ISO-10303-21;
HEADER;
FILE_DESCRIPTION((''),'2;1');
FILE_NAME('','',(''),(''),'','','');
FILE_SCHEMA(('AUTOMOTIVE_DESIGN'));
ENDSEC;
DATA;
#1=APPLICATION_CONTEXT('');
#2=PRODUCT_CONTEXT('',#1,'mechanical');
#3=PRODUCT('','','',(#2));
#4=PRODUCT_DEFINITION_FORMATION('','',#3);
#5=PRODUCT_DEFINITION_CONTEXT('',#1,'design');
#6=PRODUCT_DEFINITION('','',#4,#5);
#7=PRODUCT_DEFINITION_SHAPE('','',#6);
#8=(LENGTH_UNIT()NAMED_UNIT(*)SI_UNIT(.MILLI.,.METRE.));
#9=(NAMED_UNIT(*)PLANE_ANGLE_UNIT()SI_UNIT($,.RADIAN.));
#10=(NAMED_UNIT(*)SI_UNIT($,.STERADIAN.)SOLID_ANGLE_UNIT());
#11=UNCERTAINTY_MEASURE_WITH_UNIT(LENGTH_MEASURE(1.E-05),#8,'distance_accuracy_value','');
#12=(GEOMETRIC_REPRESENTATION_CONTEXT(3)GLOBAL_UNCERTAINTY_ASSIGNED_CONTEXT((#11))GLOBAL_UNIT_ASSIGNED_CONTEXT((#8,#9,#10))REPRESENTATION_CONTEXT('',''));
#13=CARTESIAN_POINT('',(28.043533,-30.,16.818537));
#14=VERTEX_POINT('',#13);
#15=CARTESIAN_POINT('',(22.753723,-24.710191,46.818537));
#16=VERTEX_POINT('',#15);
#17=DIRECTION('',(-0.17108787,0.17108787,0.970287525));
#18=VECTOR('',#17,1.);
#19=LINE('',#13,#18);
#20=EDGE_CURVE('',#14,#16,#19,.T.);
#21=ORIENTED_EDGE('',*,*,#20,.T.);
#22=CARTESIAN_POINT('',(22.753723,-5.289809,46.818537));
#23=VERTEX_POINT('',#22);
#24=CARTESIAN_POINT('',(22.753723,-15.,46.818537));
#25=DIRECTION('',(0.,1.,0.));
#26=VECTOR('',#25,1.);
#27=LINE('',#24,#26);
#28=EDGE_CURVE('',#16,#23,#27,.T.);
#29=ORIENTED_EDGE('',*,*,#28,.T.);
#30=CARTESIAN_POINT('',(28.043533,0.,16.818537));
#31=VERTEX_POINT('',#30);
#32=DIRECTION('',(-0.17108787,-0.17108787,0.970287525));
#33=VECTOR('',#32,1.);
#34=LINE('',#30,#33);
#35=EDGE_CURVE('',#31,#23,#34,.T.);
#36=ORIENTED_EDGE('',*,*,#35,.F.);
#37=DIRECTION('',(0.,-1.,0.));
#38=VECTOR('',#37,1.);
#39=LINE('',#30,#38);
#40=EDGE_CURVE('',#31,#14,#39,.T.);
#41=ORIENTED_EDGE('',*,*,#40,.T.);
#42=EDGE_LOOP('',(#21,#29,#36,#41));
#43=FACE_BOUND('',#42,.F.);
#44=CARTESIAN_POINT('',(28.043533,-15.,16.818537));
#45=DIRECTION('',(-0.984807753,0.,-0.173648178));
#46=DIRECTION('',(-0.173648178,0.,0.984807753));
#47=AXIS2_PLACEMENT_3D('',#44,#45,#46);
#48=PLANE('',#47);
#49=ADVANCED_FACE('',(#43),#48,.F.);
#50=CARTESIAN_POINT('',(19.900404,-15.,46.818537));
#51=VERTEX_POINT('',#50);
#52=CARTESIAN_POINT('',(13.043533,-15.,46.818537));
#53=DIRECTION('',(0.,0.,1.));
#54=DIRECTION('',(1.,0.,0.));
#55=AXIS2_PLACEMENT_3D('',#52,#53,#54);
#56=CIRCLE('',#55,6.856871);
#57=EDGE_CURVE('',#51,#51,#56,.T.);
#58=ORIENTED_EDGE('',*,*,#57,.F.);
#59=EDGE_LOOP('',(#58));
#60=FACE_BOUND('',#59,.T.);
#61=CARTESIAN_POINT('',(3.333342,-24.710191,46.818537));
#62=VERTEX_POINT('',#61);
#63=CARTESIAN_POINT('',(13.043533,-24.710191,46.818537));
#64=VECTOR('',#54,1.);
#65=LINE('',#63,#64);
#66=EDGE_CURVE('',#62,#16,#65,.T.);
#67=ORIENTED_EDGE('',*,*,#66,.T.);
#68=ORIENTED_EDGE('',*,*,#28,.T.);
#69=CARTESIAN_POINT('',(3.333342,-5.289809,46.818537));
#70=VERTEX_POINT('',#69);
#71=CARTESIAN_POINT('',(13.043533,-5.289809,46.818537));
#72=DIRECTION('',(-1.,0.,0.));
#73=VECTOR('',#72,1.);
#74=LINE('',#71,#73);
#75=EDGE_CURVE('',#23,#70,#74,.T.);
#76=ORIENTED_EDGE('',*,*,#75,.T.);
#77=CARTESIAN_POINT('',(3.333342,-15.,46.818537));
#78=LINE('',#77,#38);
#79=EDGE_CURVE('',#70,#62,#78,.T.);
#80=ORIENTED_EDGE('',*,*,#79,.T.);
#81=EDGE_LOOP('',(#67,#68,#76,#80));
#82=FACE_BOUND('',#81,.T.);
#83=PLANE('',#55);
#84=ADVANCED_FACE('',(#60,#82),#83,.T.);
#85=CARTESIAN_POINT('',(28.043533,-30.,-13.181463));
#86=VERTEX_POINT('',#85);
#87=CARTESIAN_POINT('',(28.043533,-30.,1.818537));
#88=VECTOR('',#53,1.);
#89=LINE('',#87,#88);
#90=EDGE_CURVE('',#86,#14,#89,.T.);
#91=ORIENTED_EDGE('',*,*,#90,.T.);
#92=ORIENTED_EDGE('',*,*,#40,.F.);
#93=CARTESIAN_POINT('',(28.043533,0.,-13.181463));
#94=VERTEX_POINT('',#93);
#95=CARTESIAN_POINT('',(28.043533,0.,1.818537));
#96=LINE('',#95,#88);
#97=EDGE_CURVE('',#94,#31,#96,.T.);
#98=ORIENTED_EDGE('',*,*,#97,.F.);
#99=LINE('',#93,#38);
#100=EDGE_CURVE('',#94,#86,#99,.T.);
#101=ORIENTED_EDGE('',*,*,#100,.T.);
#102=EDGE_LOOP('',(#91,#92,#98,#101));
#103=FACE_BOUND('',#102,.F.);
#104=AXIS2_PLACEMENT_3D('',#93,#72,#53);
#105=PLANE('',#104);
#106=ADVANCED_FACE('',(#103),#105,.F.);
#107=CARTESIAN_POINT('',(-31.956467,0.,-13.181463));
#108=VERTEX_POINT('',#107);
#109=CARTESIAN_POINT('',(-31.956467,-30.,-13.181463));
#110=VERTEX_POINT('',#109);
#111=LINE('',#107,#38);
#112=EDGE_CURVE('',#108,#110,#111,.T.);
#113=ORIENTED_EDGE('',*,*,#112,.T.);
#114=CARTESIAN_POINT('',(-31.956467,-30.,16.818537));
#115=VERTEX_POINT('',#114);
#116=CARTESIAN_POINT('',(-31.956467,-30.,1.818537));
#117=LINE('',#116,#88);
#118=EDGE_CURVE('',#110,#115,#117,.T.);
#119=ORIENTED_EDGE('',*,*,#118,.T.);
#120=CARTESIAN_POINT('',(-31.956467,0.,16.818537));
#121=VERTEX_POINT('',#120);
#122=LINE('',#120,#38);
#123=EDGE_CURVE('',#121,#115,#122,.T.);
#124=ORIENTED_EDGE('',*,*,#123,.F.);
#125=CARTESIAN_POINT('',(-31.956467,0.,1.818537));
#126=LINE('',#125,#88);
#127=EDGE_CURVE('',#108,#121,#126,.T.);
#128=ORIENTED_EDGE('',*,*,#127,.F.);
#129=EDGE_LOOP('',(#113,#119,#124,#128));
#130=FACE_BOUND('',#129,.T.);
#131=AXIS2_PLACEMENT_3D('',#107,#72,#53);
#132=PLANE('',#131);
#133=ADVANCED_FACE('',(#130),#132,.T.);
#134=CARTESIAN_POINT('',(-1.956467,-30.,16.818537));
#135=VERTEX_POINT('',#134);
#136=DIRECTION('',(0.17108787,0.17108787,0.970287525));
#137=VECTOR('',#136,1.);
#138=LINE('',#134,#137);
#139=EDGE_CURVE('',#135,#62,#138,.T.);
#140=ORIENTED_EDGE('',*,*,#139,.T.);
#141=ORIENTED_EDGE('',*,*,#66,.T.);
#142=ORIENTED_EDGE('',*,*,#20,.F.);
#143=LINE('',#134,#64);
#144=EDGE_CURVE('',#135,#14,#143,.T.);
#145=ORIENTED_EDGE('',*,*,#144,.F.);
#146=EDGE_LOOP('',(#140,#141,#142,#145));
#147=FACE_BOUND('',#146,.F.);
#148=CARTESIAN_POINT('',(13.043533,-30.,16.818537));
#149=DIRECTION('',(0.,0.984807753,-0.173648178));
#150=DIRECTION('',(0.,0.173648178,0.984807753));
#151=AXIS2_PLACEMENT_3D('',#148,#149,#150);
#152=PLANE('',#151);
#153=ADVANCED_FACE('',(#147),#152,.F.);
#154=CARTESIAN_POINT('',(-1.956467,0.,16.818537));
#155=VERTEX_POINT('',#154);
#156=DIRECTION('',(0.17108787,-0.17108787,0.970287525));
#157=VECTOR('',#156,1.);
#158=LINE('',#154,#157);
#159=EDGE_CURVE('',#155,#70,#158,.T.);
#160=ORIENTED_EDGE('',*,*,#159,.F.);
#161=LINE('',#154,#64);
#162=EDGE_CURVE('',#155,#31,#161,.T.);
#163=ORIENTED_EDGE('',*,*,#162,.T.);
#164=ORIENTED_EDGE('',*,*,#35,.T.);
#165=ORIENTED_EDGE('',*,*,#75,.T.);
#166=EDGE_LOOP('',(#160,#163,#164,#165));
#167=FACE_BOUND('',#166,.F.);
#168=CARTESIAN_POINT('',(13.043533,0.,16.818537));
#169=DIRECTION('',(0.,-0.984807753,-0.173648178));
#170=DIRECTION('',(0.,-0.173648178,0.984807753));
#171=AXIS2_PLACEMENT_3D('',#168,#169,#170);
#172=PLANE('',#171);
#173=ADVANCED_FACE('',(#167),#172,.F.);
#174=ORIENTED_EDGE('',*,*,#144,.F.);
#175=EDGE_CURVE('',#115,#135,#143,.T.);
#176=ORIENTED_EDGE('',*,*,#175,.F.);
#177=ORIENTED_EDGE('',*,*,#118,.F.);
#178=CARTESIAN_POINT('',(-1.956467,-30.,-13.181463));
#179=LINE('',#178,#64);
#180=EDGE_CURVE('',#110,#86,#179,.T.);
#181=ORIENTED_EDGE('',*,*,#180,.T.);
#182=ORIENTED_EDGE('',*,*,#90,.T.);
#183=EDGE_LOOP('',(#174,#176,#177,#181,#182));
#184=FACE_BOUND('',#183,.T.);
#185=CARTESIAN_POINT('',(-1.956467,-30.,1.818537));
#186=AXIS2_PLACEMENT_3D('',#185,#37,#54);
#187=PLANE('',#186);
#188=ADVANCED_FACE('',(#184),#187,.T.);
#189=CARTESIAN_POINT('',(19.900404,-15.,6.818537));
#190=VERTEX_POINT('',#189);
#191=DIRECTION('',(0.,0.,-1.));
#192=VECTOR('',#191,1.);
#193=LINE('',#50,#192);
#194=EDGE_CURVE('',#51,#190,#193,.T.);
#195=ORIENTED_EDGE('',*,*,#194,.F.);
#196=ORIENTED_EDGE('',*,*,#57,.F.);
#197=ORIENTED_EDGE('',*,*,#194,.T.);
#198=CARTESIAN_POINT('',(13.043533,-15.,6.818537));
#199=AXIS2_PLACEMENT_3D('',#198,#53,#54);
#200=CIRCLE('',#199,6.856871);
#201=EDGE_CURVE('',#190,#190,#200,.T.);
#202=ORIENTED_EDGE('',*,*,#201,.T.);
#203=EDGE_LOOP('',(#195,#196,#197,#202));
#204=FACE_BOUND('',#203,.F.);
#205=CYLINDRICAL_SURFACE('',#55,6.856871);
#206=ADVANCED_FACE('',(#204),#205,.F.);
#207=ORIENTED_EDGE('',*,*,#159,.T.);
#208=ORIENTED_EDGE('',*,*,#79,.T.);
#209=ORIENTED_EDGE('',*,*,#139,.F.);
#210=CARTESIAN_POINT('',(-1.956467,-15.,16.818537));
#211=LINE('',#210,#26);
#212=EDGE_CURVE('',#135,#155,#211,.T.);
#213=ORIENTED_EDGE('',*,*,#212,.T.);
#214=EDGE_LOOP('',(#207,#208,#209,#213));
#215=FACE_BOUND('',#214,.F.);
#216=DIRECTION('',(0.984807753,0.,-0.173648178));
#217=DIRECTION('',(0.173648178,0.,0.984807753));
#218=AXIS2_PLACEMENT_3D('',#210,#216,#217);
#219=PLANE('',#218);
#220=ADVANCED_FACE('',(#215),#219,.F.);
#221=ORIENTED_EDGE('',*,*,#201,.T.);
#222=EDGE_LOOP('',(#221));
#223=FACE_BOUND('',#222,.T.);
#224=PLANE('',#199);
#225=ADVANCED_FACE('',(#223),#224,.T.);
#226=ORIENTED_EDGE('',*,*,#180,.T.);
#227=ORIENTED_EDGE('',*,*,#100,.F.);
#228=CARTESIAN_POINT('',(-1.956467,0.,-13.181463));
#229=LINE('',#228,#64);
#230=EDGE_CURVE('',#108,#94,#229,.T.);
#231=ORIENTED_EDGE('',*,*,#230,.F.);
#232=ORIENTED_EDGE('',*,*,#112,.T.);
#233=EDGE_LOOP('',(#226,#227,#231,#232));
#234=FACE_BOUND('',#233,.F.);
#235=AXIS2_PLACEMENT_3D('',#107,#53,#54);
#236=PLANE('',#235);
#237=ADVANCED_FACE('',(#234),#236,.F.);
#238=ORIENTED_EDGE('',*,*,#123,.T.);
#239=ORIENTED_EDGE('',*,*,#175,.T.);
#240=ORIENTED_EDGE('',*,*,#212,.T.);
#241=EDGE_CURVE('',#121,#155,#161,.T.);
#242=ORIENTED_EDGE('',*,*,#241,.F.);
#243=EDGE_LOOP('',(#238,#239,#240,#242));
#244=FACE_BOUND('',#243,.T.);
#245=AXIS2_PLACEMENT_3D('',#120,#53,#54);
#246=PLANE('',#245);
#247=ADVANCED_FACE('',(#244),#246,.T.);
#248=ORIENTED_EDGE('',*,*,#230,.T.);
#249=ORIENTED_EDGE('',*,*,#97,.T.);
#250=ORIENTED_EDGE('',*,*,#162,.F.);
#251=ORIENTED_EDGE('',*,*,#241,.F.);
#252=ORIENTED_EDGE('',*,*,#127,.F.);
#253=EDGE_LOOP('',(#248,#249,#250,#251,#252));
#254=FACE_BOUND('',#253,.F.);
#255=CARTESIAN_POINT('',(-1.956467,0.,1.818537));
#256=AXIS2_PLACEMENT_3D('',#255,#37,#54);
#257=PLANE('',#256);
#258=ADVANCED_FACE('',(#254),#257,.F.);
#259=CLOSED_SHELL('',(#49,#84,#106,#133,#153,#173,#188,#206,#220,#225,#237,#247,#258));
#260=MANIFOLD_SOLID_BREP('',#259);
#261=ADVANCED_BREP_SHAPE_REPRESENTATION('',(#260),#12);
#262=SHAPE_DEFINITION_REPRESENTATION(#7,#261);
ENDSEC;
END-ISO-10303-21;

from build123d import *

# Parameters (mm, degrees)
F0_W     = 60
F0_H     = 30
F1_DEPTH = 30
F2_W     = 30
F2_H     = 30
F3_DEPTH = 30
F3_TAPER = 10
F4_R     = 6.8568709116
F5_DEPTH = 40


with BuildPart() as f1:
    # F0 (on Front) → F1 (new body)
    with BuildSketch(Plane.XZ):
        with Locations((-1.9564672485, 1.8185370226)):
            Rectangle(F0_W, F0_H)
    extrude(amount=F1_DEPTH)

    # F2 (on face) → F3 (join)
    with BuildSketch(Plane.XY.offset(16.8185370226)):
        with Locations((13.0435327515, -15)):
            Rectangle(F2_W, F2_H)
    extrude(amount=F3_DEPTH, taper=F3_TAPER)

    # F4 (on face) → F5 (cut)
    with BuildSketch(Plane.XY.offset(46.8185370226)):
        with Locations((13.0435327515, -15)):
            Circle(F4_R)
    extrude(amount=-F5_DEPTH, mode=Mode.SUBTRACT)


solid = f1.part
